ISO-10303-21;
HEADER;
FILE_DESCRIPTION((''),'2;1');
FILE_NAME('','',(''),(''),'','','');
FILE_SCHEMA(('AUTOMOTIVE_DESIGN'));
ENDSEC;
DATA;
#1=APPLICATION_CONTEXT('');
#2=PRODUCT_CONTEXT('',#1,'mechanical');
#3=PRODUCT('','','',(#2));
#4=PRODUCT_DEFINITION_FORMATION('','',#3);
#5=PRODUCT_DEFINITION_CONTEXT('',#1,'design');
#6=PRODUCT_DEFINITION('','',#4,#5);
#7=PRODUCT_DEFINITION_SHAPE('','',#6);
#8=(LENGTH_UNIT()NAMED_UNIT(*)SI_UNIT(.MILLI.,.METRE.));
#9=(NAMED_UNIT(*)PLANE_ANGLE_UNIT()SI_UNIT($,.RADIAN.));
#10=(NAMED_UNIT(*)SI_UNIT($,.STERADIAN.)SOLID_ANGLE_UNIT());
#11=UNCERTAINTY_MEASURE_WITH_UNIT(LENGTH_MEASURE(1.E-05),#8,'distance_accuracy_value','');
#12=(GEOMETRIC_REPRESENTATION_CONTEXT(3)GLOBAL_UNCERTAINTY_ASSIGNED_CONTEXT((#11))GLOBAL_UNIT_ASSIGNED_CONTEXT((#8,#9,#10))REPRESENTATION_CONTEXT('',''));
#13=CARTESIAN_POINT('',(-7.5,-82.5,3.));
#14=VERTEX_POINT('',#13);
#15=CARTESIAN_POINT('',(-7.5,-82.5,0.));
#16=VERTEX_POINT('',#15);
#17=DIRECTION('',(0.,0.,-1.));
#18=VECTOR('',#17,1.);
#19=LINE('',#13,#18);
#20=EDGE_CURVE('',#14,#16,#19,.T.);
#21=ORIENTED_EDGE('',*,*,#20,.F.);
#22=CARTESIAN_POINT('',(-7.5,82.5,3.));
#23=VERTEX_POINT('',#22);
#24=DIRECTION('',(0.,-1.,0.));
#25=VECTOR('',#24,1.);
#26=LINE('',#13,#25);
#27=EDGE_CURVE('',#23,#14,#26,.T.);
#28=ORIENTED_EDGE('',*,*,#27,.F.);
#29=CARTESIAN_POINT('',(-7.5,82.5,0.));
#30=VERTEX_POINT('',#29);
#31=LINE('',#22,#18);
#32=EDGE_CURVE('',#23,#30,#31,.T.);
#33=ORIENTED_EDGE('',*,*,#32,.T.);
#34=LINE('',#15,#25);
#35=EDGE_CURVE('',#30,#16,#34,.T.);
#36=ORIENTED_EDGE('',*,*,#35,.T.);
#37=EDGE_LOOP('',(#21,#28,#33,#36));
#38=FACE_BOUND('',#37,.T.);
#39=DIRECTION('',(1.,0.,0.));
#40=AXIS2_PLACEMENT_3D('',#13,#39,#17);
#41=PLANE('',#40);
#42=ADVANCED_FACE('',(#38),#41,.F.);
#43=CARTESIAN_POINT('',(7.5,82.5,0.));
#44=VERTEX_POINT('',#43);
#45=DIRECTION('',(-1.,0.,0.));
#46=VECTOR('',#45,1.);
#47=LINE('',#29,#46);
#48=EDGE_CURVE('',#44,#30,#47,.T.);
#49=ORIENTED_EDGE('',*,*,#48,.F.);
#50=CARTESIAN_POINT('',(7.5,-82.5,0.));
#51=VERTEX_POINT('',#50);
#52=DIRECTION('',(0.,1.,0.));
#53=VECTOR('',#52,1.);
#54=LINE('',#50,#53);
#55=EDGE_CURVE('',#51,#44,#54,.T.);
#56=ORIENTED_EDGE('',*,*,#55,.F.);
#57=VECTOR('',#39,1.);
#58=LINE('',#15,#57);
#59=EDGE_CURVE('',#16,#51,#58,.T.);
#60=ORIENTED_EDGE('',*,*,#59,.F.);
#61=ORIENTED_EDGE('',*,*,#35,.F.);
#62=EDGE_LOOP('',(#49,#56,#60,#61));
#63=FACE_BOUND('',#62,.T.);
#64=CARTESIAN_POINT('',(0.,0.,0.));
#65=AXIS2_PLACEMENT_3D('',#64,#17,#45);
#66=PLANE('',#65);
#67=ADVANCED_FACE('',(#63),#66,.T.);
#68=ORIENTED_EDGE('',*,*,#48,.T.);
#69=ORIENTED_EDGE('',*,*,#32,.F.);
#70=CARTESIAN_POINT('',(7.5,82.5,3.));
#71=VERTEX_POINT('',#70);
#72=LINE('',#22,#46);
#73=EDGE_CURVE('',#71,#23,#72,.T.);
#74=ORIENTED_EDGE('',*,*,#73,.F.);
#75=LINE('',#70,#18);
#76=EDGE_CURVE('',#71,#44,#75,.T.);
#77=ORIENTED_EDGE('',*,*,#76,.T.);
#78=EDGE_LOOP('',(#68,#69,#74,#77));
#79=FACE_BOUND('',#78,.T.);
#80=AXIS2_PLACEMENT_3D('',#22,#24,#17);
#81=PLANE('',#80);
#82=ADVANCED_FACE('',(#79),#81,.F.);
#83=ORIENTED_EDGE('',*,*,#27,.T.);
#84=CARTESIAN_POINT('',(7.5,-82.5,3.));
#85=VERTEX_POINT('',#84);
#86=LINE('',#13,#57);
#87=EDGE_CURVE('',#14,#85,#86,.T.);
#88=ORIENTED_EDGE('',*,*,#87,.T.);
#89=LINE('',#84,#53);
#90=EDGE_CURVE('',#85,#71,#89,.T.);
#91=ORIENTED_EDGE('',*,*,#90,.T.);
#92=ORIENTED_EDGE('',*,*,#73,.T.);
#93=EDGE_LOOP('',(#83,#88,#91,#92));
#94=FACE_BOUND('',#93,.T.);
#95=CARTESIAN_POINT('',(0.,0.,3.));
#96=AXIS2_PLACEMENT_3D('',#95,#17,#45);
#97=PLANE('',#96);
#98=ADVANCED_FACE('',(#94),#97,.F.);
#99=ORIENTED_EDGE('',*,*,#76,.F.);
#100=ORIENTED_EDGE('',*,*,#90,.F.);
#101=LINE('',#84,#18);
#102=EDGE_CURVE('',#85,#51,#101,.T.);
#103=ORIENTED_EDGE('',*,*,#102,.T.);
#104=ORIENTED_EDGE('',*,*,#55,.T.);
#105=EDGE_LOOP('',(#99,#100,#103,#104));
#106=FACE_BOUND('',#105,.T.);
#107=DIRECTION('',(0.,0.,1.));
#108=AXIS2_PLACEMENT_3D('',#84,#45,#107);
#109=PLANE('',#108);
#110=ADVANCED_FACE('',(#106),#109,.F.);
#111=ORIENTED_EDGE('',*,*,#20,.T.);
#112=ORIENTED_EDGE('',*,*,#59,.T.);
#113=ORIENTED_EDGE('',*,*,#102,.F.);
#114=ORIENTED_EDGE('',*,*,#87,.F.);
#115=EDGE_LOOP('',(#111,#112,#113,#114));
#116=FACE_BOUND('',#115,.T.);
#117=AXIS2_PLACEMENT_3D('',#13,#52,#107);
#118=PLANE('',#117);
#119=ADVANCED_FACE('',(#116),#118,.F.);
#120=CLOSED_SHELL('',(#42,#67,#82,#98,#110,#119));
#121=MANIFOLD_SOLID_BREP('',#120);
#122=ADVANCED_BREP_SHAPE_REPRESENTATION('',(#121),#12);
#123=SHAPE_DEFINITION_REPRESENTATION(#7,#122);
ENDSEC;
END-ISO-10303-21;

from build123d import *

# Parameters (mm, degrees)
SKETCH_1_W      = 15
SKETCH_1_H      = 165
EXTRUDE_1_DEPTH = 3


with BuildPart() as part:
    # 草图1 → 凸台-拉伸1 (new body)
    with BuildSketch(Plane.XY):
        Rectangle(SKETCH_1_W, SKETCH_1_H)
    extrude(amount=EXTRUDE_1_DEPTH)


solid = part.part
